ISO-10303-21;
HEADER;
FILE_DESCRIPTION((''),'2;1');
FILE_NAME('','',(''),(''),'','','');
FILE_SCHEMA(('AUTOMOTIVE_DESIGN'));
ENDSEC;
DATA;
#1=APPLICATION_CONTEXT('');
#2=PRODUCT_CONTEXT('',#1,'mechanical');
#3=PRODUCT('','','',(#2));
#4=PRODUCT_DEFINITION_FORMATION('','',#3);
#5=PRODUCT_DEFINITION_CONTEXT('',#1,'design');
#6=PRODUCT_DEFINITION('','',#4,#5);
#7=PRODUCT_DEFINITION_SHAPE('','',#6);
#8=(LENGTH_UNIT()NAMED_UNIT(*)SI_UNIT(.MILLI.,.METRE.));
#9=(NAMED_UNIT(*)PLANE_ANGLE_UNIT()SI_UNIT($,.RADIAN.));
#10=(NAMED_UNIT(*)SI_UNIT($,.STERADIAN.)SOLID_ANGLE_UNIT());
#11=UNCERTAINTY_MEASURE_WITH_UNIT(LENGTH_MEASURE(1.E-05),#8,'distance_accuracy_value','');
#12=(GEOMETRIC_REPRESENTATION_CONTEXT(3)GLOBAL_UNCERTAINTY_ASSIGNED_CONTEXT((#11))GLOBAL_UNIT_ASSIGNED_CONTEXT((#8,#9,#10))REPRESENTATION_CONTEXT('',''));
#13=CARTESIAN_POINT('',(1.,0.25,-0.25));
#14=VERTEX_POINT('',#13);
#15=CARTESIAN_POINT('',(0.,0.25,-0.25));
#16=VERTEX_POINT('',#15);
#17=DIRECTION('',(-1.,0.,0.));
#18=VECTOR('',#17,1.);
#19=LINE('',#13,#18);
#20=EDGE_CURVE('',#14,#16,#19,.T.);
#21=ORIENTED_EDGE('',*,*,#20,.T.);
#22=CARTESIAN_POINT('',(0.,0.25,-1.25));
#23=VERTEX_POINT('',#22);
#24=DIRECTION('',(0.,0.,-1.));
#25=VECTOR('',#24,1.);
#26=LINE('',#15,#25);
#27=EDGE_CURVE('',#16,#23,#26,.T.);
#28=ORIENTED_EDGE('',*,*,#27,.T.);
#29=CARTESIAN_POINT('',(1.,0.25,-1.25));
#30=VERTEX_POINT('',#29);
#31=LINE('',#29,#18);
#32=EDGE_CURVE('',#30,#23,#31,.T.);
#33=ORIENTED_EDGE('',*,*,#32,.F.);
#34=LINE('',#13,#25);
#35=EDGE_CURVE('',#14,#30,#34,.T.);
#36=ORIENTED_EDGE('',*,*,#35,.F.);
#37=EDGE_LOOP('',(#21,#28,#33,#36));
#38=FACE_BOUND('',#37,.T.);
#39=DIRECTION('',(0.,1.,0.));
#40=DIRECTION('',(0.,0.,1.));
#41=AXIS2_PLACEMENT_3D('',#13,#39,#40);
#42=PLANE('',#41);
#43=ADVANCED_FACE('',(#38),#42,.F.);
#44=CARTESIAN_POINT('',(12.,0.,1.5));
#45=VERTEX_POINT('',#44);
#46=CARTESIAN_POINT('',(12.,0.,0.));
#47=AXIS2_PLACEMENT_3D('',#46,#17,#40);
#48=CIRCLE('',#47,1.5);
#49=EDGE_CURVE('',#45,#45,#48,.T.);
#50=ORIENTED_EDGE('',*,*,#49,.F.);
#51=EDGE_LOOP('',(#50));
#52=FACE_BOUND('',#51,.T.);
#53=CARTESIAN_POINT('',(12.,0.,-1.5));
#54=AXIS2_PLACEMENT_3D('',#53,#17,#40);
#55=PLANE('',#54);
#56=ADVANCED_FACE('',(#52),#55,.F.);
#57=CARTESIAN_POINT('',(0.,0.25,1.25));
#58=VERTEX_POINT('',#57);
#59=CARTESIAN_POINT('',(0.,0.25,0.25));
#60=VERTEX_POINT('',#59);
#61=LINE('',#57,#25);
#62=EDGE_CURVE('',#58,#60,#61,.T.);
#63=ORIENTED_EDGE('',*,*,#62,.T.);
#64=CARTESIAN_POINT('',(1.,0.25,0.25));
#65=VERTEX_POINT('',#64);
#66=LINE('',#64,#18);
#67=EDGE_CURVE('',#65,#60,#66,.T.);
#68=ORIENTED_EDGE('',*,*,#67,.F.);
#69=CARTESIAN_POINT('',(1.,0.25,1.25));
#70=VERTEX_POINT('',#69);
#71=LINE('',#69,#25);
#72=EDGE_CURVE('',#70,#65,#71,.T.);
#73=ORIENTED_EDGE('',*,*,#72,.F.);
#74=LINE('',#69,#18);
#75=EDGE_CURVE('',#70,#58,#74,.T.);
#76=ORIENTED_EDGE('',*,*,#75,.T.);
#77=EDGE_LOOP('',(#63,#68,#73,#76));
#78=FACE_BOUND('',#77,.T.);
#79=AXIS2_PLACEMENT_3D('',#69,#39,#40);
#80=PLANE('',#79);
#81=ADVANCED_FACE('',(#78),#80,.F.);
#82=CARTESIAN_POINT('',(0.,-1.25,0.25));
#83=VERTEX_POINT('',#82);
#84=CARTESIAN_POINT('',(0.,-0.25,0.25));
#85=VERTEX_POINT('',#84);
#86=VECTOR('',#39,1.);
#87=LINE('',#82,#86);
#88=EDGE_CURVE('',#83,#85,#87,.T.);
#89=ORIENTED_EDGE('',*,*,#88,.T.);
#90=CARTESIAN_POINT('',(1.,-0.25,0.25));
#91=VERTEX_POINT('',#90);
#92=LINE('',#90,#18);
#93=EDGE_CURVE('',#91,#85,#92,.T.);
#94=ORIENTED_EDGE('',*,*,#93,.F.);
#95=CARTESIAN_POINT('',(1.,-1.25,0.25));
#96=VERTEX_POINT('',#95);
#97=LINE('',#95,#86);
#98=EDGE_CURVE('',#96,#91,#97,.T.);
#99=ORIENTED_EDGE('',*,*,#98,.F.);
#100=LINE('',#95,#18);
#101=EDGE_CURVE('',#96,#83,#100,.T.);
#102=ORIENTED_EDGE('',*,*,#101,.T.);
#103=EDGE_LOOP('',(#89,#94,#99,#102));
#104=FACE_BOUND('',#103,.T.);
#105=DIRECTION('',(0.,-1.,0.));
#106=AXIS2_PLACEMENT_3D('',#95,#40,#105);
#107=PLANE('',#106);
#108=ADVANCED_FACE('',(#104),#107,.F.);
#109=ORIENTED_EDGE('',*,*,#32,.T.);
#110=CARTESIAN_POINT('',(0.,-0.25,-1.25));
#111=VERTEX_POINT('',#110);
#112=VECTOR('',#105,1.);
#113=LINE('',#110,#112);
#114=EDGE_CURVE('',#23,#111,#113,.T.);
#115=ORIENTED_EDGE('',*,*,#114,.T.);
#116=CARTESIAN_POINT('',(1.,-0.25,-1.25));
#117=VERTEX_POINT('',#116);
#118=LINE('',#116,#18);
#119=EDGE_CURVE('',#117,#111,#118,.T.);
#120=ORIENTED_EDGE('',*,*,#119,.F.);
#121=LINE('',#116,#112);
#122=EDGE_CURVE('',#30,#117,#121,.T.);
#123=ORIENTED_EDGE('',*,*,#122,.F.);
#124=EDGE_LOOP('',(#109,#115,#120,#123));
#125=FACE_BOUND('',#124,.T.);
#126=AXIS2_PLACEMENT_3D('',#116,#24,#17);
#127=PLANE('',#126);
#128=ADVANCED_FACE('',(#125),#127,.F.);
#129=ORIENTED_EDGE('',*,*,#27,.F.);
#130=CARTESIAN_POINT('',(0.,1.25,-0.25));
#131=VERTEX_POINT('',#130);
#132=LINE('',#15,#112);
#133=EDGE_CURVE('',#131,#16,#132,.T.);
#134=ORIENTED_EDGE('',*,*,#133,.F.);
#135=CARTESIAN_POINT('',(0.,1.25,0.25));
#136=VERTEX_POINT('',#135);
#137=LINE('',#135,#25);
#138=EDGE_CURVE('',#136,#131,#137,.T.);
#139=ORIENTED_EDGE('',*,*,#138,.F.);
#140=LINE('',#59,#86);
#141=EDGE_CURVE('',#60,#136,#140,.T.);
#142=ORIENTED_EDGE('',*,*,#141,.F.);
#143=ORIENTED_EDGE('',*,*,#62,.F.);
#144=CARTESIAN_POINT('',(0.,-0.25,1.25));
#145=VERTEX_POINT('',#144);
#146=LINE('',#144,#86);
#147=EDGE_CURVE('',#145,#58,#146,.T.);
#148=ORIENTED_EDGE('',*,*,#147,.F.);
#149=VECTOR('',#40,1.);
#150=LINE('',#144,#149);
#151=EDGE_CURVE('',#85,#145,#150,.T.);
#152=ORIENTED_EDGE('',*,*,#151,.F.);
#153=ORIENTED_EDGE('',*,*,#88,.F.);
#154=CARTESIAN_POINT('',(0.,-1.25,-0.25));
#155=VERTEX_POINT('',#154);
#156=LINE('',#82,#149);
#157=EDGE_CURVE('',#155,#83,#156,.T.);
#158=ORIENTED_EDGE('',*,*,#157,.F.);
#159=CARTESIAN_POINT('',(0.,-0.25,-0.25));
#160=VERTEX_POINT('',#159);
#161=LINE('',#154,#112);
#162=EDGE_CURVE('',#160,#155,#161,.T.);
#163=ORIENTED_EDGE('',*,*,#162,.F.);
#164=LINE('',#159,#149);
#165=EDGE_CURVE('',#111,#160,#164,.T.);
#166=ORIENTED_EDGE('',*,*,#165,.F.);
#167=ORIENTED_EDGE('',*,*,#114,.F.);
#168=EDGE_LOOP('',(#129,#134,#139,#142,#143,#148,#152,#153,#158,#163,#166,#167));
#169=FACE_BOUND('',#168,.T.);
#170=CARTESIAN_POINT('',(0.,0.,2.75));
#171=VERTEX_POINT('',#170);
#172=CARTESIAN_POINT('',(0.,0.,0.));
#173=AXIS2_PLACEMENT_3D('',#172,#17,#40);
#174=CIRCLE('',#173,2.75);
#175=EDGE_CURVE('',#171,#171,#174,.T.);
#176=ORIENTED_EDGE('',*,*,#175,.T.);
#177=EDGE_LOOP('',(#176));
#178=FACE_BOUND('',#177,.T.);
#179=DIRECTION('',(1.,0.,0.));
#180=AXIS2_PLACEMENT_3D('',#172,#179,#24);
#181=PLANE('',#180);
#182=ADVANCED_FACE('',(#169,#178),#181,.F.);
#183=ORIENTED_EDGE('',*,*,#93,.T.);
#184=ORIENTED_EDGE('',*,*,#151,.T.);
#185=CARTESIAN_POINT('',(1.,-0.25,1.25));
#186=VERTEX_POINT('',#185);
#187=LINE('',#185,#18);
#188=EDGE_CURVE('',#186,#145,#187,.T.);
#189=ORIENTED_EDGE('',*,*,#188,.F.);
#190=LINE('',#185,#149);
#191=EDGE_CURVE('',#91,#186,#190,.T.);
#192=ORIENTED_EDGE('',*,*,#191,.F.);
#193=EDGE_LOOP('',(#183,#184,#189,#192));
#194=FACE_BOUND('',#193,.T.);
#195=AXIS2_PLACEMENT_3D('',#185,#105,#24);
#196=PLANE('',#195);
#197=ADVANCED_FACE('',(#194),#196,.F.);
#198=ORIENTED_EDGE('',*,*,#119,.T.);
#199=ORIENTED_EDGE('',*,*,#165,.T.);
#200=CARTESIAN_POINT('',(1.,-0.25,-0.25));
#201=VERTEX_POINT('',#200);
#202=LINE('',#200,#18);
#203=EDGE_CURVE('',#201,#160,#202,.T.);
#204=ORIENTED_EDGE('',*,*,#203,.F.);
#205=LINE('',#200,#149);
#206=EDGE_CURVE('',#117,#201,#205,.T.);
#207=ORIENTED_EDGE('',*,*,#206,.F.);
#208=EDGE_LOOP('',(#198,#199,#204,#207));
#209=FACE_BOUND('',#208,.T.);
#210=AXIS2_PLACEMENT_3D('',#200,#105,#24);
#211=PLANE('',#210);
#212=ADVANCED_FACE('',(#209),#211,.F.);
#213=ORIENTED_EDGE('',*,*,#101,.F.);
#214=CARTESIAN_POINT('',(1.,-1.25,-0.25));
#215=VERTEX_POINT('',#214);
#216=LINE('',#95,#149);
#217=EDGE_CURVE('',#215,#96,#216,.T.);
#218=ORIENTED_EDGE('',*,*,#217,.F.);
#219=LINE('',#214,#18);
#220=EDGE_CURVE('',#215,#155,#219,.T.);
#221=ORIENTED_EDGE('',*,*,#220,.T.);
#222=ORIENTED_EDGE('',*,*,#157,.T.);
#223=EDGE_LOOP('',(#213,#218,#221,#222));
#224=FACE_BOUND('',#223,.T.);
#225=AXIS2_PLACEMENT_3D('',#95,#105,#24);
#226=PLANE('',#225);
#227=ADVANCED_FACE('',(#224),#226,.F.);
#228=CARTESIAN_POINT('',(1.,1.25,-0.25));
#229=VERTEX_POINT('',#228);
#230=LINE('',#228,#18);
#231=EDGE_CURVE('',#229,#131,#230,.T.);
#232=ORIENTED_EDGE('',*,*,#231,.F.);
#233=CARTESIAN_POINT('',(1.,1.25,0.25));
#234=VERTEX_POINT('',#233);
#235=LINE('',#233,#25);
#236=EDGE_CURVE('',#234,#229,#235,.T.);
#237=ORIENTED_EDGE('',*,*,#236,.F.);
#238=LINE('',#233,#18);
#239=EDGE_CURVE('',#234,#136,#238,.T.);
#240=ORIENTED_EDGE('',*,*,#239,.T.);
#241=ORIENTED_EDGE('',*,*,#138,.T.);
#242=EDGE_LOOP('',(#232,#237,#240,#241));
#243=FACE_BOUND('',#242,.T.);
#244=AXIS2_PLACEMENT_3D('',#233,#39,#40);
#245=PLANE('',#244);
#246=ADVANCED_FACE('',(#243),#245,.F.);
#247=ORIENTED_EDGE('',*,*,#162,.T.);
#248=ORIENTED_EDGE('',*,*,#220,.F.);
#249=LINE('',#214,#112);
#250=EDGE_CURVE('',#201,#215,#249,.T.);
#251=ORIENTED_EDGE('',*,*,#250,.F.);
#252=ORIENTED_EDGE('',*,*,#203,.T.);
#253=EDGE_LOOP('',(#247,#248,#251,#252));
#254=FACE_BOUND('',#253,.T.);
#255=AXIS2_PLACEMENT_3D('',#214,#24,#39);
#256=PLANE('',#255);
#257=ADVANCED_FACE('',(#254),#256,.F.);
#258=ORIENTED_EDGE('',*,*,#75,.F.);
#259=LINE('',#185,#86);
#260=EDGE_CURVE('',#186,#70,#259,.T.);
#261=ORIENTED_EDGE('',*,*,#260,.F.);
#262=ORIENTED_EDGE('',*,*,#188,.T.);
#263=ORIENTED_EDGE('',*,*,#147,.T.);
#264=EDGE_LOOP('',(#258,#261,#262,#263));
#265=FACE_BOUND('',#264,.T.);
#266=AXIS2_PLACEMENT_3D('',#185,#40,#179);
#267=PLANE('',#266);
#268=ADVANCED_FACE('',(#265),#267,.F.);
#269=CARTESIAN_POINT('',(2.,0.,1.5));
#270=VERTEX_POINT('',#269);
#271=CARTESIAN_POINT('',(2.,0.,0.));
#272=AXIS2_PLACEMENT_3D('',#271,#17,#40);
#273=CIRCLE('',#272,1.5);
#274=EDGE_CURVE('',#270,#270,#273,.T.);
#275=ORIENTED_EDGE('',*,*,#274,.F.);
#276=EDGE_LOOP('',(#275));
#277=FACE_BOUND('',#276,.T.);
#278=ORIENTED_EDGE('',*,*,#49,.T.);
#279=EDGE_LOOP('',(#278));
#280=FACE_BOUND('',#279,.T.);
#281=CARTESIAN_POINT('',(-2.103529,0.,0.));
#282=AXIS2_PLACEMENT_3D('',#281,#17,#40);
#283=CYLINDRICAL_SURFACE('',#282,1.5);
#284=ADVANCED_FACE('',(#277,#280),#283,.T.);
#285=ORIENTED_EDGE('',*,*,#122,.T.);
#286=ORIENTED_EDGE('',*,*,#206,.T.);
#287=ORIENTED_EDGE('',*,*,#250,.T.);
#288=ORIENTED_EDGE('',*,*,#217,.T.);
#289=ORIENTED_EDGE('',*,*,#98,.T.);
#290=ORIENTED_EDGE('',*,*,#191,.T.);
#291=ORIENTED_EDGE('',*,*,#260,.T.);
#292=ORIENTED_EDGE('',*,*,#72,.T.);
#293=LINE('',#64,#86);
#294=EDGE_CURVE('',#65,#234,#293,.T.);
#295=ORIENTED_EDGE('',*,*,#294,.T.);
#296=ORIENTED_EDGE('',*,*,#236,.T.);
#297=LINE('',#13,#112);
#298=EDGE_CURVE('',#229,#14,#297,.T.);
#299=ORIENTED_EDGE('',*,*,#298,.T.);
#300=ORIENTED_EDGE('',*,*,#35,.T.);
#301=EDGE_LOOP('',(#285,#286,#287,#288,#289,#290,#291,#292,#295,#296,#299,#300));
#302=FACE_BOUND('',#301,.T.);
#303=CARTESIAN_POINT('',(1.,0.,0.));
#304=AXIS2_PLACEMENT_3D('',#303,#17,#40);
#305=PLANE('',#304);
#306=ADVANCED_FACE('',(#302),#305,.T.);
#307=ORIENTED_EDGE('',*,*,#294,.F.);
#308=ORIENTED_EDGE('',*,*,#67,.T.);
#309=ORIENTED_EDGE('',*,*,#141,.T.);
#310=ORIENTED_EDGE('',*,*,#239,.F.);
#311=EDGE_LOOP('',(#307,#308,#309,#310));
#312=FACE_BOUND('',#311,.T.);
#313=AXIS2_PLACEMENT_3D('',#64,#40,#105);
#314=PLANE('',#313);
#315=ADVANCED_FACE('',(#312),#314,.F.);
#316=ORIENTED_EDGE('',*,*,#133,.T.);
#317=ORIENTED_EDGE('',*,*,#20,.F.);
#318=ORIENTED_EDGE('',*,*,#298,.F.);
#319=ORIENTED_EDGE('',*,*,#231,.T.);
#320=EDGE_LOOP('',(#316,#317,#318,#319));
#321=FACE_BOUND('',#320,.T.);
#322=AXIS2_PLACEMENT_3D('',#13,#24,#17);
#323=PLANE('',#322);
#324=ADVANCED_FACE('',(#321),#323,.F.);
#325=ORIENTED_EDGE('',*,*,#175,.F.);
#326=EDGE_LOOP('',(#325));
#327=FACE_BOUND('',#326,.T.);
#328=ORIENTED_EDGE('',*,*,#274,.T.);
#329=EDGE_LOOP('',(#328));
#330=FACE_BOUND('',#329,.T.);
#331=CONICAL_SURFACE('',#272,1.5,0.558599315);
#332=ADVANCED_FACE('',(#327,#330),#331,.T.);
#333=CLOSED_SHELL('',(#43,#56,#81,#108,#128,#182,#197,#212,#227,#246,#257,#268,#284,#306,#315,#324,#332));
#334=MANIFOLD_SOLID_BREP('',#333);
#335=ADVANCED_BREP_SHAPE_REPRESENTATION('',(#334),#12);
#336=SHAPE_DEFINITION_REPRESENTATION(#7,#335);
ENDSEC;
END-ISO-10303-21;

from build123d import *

# Parameters (mm, degrees)
CUT_EXTRUDE_1_DEPTH = 1


with BuildPart() as part:
    # 草图4 → 旋转1 (revolve)
    with BuildSketch(Plane(origin=(0, 0, 0), x_dir=(1, 0, 0), z_dir=(0, 1, 0)), mode=Mode.PRIVATE) as revolve_1_sk:
        Polygon((0, 0), (0, 2.75), (2, 1.5), (12, 1.5), (12, 0), align=None)
    revolve(revolve_1_sk.sketch.rotate(Axis((-2.103529412, 0, 0), (1, 0, 0)), 180), axis=Axis((-2.103529412, 0, 0), (1, 0, 0)))

    # 草图5 → 切除-拉伸1 (cut)
    with BuildSketch(Plane.ZY):
        Polygon((-0.25, 0.25), (-1.25, 0.25), (-1.25, -0.25), (-0.25, -0.25), (-0.25, -1.25), (0.25, -1.25), (0.25, -0.25), (1.25, -0.25), (1.25, 0.25), (0.25, 0.25), (0.25, 1.25), (-0.25, 1.25), align=None)
    extrude(amount=-CUT_EXTRUDE_1_DEPTH, mode=Mode.SUBTRACT)


solid = part.part
